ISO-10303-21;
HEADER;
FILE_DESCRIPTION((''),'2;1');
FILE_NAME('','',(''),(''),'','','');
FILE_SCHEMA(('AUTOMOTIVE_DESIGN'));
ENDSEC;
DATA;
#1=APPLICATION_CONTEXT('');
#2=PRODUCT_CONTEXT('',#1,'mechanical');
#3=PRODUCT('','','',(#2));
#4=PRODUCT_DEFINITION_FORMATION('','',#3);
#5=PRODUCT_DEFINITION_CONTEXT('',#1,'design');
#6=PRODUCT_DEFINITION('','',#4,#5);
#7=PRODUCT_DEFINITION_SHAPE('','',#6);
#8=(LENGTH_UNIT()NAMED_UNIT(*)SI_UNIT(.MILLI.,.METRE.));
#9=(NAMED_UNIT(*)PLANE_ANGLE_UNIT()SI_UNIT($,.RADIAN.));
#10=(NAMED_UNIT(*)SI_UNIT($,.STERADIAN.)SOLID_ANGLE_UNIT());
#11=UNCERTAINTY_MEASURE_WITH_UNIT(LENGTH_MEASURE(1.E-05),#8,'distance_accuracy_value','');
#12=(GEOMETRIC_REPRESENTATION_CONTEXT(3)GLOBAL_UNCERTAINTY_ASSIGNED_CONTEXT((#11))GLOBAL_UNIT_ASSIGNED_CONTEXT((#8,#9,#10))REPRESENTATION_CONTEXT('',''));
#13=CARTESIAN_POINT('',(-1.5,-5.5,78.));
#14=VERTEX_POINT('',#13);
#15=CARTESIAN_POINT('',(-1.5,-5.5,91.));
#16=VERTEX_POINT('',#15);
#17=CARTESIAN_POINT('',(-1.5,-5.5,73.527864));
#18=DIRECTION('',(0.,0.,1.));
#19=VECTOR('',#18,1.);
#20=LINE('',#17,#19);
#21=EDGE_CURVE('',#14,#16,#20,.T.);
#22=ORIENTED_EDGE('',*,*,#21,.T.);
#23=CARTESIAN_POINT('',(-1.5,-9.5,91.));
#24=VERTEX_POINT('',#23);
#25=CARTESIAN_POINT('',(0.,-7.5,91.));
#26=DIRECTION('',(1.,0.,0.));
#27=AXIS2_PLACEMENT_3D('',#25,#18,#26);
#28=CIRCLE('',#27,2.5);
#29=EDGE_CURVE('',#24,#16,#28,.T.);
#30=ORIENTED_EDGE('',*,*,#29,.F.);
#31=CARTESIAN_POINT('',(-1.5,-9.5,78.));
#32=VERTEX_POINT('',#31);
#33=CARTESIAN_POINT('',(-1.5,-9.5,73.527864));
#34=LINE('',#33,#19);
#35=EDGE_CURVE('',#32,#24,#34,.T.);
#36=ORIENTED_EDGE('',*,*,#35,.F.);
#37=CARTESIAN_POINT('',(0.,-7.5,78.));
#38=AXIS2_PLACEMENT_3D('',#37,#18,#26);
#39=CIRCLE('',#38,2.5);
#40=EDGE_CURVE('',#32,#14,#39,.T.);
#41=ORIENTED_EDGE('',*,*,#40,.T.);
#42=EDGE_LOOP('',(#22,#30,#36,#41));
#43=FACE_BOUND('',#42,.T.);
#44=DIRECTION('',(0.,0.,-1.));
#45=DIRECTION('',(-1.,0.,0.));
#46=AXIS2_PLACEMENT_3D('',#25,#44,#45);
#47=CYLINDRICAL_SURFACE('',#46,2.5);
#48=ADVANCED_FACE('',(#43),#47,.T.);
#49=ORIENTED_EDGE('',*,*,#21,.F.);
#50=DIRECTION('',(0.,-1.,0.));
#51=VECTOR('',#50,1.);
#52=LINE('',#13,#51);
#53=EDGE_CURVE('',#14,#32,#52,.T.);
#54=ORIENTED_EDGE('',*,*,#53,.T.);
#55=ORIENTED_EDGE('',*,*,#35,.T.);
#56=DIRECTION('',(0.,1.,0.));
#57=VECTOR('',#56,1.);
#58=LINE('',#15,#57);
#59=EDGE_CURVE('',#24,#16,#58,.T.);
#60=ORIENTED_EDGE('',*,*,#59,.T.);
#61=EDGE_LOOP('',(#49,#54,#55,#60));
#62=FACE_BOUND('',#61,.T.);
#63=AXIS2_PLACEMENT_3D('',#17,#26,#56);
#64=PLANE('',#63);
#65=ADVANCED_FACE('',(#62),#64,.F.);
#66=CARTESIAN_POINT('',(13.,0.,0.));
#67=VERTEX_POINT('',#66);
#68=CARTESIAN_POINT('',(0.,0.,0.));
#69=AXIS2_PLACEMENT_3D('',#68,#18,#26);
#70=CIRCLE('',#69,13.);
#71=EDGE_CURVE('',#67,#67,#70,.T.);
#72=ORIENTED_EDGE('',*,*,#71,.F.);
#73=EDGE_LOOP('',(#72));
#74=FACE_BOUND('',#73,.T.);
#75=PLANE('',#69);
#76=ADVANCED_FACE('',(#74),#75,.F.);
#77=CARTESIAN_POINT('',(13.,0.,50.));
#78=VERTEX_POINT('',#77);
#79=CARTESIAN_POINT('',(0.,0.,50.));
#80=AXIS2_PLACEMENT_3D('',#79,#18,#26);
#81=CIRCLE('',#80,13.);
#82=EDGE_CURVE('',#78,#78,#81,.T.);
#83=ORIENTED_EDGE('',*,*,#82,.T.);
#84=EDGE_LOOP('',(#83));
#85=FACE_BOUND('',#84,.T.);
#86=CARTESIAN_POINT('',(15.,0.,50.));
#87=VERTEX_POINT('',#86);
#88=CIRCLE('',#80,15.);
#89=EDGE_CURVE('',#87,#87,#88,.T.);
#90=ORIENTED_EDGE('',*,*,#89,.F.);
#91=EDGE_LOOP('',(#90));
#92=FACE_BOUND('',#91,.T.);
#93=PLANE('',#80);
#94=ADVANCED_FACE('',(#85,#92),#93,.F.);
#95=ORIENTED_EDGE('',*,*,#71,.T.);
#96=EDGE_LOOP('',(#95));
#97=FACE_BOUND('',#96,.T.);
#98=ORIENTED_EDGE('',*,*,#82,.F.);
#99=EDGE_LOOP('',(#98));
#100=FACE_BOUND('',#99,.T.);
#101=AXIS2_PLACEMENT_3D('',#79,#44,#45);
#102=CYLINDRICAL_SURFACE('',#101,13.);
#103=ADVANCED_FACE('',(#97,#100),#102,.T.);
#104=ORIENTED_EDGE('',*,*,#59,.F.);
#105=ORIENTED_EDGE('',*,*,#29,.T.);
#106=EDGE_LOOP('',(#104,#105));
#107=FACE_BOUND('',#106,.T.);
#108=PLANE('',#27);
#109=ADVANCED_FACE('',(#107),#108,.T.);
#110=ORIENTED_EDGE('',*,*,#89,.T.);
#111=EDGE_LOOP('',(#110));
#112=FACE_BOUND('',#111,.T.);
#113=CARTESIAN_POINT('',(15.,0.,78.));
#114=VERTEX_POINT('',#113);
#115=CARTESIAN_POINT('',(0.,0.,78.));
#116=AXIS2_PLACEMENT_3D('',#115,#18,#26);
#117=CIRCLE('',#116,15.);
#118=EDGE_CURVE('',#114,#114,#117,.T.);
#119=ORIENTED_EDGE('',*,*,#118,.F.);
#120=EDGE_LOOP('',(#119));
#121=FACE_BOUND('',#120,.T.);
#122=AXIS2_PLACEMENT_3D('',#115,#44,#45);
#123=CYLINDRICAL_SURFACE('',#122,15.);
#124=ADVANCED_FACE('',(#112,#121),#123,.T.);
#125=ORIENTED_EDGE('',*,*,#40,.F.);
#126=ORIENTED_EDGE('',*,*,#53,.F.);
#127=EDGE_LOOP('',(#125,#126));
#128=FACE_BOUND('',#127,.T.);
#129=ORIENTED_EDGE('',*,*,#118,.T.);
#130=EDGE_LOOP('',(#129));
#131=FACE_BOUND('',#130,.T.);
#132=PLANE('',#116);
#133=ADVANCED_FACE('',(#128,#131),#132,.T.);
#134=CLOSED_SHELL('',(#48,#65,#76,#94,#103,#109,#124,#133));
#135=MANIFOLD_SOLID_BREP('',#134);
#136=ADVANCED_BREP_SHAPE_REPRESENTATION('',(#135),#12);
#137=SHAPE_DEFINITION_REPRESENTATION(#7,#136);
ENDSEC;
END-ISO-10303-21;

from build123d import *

# Parameters (mm, degrees)
SKETCH1_R           = 13
BOSS_EXTRUDE1_DEPTH = 50
SKETCH2_R           = 15
BOSS_EXTRUDE2_DEPTH = 28
SKETCH3_R           = 2.5
BOSS_EXTRUDE3_DEPTH = 13
SKETCH4_W           = 2
SKETCH4_H           = 4
CUT_EXTRUDE1_DEPTH  = 13


with BuildPart() as part:
    # Sketch1 → Boss-Extrude1 (new body)
    with BuildSketch(Plane.XY):
        Circle(SKETCH1_R)
    extrude(amount=BOSS_EXTRUDE1_DEPTH)

    # Sketch2 → Boss-Extrude2 (add)
    with BuildSketch(Plane.XY.offset(50)):
        Circle(SKETCH2_R)
    extrude(amount=BOSS_EXTRUDE2_DEPTH)

    # Sketch3 → Boss-Extrude3 (add)
    with BuildSketch(Plane.XY.offset(78)):
        with Locations(Location((0, -7.5, 0), (0, 0, 180))):
            Circle(SKETCH3_R)
    extrude(amount=BOSS_EXTRUDE3_DEPTH)

    # Sketch4 → Cut-Extrude1 (cut)
    with BuildSketch(Plane.XY.offset(91)):
        with Locations((-2.5, -7.5)):
            Rectangle(SKETCH4_W, SKETCH4_H)
    extrude(amount=-CUT_EXTRUDE1_DEPTH, mode=Mode.SUBTRACT)


solid = part.part
